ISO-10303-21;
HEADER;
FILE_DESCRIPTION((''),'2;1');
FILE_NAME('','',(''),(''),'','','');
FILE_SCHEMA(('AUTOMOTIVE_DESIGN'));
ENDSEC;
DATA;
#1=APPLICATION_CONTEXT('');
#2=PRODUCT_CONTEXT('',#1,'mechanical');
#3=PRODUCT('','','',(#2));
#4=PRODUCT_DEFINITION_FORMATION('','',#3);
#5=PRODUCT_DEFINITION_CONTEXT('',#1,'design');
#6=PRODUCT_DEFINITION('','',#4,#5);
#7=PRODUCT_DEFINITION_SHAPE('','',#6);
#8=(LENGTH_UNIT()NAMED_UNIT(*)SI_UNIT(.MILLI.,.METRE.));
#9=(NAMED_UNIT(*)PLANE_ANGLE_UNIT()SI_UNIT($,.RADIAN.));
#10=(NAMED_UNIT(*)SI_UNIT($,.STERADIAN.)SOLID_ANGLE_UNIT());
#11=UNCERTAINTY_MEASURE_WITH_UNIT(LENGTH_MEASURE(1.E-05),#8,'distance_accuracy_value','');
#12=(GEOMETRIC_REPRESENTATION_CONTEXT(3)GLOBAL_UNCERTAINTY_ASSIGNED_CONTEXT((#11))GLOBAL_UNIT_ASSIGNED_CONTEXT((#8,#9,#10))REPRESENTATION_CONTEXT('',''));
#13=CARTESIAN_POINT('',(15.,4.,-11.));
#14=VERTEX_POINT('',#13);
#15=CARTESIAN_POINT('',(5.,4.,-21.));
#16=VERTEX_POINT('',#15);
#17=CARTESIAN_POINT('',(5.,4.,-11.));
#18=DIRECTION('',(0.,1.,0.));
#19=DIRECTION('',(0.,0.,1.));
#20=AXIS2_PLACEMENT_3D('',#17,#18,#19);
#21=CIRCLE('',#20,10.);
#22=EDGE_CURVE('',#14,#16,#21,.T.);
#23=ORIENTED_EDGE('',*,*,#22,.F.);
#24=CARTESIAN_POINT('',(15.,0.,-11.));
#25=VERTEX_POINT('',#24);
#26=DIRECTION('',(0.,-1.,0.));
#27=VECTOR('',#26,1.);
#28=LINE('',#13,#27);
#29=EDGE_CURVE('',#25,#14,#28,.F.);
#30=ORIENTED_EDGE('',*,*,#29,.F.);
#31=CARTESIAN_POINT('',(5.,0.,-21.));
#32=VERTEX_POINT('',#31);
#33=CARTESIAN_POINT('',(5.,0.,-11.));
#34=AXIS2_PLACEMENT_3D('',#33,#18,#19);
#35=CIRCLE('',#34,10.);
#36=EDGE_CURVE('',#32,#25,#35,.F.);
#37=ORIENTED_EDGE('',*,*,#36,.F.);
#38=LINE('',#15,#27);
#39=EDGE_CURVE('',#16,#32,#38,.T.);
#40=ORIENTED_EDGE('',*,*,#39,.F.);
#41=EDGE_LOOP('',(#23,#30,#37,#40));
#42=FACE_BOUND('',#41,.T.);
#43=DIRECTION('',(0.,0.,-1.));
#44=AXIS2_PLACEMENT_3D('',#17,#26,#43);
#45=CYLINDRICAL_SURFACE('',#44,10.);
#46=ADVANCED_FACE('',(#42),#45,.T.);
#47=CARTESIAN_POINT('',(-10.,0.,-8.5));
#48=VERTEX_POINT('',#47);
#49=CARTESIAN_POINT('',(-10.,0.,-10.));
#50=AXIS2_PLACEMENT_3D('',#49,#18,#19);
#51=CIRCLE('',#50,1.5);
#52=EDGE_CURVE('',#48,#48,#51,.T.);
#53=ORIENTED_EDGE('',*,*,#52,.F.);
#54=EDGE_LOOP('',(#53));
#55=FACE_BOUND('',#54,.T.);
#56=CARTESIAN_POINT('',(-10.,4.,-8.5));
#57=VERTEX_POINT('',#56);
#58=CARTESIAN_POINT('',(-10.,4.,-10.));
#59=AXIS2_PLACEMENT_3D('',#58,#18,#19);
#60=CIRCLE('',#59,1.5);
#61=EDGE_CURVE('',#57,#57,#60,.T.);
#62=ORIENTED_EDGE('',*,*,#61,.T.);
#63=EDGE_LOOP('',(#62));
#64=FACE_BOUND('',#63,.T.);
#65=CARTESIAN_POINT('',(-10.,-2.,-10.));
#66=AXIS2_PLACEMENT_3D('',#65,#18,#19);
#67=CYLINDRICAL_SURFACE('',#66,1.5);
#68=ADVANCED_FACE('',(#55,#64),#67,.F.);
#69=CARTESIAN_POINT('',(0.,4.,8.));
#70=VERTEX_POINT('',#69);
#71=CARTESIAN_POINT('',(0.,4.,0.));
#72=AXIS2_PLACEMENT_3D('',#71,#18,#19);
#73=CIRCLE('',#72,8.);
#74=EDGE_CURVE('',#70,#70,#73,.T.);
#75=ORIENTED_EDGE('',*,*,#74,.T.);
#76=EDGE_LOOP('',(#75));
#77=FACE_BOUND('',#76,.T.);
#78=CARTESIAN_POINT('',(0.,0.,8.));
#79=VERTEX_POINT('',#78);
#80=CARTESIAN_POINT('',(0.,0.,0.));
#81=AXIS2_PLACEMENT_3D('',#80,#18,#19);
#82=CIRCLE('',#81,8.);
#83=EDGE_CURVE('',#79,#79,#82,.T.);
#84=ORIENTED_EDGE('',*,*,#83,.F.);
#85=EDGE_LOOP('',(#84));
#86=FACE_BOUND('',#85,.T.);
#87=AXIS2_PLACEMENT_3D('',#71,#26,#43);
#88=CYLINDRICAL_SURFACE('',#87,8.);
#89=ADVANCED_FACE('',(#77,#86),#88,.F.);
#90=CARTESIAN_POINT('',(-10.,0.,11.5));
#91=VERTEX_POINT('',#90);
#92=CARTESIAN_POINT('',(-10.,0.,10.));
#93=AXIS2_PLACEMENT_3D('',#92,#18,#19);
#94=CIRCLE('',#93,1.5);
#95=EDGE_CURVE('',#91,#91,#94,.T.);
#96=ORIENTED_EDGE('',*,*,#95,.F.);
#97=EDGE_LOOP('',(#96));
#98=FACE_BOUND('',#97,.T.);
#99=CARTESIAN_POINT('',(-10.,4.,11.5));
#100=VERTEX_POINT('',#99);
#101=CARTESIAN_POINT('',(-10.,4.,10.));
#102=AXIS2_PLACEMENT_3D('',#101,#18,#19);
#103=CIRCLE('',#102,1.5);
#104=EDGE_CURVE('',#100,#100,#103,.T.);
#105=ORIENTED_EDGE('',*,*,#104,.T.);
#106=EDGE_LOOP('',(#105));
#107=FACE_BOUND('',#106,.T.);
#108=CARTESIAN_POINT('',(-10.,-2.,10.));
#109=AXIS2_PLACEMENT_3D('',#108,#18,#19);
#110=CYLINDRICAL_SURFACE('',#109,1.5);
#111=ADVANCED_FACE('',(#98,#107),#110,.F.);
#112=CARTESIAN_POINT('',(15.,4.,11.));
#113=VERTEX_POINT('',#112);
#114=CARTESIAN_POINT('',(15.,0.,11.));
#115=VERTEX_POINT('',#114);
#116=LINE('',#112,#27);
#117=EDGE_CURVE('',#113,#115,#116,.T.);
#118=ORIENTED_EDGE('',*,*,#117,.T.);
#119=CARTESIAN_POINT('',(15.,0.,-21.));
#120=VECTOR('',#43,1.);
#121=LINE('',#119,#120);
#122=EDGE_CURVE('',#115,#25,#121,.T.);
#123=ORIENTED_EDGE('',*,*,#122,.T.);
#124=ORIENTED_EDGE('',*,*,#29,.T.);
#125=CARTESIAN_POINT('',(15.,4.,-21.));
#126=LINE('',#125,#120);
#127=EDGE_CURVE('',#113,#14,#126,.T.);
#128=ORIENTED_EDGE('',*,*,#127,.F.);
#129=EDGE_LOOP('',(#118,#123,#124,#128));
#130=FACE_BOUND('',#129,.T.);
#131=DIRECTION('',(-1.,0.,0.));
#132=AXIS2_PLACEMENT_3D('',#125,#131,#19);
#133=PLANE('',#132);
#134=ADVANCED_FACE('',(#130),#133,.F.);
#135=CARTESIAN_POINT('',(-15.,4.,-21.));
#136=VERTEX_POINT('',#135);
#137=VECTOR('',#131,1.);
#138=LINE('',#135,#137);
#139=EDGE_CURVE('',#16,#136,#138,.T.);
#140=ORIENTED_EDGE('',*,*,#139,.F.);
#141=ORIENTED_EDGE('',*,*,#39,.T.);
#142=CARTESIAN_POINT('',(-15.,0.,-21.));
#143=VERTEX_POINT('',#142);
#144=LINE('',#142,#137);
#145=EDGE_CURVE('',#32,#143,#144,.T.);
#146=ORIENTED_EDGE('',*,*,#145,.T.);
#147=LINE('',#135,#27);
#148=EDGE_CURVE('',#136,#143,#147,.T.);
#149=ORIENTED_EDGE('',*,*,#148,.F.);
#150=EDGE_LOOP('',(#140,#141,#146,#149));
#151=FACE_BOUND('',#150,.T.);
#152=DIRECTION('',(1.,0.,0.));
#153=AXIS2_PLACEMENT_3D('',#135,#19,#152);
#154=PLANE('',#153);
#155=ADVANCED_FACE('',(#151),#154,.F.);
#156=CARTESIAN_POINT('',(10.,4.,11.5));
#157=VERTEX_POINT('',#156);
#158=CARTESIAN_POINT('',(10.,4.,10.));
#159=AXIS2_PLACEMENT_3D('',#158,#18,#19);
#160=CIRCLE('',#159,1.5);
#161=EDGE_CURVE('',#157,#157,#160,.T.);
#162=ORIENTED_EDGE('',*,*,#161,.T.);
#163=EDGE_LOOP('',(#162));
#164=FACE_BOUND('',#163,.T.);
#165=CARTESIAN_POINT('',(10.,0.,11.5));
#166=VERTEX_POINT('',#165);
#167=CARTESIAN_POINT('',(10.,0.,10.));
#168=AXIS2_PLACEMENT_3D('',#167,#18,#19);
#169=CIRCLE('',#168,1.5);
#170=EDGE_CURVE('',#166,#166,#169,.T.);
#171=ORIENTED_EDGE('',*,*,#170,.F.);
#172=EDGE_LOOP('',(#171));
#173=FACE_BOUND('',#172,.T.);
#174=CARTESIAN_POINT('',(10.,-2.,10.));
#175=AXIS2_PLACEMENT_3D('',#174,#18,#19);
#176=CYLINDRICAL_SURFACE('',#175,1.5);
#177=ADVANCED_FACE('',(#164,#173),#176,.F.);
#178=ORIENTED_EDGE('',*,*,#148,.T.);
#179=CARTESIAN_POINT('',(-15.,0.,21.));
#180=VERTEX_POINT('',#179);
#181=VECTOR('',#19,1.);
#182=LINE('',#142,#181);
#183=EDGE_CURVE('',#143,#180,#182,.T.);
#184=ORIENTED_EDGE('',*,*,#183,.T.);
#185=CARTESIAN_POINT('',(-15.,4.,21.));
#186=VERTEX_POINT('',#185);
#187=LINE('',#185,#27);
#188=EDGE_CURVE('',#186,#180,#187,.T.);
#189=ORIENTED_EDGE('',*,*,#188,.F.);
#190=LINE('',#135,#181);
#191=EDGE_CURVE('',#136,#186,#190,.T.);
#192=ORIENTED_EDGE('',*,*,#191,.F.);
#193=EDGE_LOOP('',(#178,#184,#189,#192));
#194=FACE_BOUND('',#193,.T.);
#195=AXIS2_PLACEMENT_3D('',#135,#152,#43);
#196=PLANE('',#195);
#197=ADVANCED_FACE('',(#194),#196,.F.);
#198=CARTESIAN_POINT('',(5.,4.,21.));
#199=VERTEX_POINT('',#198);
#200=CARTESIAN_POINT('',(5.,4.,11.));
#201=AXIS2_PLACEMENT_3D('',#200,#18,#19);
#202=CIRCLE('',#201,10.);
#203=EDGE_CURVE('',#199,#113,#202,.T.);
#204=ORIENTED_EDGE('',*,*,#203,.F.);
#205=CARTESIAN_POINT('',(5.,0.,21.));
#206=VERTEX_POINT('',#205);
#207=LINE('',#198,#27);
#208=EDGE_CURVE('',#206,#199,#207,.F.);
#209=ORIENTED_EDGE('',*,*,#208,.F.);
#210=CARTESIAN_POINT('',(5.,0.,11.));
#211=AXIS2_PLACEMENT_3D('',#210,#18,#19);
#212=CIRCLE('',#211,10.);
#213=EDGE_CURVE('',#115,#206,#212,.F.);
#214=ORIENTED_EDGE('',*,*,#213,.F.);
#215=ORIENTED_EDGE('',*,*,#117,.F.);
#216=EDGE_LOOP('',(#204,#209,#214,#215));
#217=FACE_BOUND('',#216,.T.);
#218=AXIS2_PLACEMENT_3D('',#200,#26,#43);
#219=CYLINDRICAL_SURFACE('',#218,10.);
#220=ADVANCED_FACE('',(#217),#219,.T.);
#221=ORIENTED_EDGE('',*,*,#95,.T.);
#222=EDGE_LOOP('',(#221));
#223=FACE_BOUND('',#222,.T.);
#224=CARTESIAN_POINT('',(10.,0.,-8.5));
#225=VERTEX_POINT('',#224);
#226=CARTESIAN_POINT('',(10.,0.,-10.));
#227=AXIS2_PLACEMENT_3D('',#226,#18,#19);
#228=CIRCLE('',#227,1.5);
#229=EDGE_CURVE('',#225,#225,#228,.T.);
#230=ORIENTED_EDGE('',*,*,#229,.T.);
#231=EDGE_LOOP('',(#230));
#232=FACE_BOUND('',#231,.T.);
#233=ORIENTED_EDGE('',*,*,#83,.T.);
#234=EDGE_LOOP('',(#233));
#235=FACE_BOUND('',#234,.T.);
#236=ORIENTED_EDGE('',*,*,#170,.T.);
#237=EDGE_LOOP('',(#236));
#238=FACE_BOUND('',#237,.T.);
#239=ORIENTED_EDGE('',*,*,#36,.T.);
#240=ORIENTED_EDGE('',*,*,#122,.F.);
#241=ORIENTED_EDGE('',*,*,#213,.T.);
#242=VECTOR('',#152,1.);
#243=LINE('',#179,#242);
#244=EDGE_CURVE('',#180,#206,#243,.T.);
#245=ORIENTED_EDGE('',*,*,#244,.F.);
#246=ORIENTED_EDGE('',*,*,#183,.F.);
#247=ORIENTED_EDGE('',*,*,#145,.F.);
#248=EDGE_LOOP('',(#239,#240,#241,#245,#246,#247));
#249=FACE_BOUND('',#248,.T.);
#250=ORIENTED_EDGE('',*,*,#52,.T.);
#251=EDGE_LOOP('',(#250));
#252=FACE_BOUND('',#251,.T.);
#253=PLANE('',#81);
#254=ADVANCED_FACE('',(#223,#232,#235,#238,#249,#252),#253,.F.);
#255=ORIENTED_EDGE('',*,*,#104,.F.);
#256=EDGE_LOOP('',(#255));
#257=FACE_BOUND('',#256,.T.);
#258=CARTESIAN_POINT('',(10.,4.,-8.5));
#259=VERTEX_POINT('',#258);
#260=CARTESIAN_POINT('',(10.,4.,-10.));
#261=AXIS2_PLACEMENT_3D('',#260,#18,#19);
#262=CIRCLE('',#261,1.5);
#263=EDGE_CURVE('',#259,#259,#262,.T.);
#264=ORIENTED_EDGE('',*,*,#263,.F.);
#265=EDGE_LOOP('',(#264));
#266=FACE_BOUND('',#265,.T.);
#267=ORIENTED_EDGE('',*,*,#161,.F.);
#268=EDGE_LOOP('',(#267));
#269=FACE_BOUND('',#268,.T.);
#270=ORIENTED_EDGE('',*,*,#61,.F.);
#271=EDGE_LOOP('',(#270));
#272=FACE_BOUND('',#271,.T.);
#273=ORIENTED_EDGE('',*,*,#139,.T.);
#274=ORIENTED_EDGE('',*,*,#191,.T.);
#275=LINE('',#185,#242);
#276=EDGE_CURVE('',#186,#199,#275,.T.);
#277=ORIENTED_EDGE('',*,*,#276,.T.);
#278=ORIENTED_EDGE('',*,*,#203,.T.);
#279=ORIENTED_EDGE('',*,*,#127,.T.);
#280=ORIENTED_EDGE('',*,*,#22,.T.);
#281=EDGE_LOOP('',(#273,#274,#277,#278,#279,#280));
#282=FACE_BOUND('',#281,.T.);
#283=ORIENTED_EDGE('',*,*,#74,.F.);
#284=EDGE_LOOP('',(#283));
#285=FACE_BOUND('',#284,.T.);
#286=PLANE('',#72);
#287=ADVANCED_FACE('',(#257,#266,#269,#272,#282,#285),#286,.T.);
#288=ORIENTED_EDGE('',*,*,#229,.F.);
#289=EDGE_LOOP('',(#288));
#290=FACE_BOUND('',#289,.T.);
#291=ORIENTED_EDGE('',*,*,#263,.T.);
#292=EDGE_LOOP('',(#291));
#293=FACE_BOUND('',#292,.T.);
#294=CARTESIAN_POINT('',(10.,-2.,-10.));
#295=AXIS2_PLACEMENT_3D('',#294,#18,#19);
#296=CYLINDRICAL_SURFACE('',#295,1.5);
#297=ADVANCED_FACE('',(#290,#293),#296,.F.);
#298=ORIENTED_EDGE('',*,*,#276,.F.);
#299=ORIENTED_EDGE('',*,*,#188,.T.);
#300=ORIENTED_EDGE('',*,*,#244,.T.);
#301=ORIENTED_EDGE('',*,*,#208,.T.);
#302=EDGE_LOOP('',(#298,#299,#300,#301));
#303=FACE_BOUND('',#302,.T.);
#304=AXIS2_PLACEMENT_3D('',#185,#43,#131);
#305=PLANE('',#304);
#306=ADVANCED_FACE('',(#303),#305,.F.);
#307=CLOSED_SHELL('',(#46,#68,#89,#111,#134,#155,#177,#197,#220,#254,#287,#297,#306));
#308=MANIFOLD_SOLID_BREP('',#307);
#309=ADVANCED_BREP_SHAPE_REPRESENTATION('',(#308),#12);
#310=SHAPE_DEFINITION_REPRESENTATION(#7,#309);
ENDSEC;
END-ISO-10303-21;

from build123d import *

# Parameters (mm, degrees)
SKETCH2_W           = 30
SKETCH2_H           = 42
SKETCH2_R           = 8
BOSS_EXTRUDE1_DEPTH = 4
FILLET1_R           = 10
SKETCH3_R           = 1.5
CUT_EXTRUDE1_DEPTH  = 6


with BuildPart() as part:
    # Sketch2 → Boss-Extrude1 (new body)
    with BuildSketch(Plane(origin=(0, 0, 0), x_dir=(1, 0, 0), z_dir=(0, 1, 0))):
        Rectangle(SKETCH2_W, SKETCH2_H)
        with Locations(Location((0, 0, 0), (0, 0, 270))):
            Circle(SKETCH2_R, mode=Mode.SUBTRACT)
    extrude(amount=BOSS_EXTRUDE1_DEPTH)

    # Fillet1
    fillet1_edges = [part.edges().sort_by_distance(p)[0] for p in [
        (15, 2, 21),
        (15, 2, -21),
    ]]
    fillet(fillet1_edges, radius=FILLET1_R)

    # Sketch3 → Cut-Extrude1 (cut)
    with BuildSketch(Plane(origin=(0, 4, 0), x_dir=(1, 0, 0), z_dir=(0, 1, 0))):
        with Locations(Location((-10, 10, 0), (0, 0, 270))):
            Circle(SKETCH3_R)
        with Locations(Location((10, 10, 0), (0, 0, 270))):
            Circle(SKETCH3_R)
        with Locations(Location((10, -10, 0), (0, 0, 270))):
            Circle(SKETCH3_R)
        with Locations(Location((-10, -10, 0), (0, 0, 270))):
            Circle(SKETCH3_R)
    extrude(amount=-CUT_EXTRUDE1_DEPTH, mode=Mode.SUBTRACT)


solid = part.part
